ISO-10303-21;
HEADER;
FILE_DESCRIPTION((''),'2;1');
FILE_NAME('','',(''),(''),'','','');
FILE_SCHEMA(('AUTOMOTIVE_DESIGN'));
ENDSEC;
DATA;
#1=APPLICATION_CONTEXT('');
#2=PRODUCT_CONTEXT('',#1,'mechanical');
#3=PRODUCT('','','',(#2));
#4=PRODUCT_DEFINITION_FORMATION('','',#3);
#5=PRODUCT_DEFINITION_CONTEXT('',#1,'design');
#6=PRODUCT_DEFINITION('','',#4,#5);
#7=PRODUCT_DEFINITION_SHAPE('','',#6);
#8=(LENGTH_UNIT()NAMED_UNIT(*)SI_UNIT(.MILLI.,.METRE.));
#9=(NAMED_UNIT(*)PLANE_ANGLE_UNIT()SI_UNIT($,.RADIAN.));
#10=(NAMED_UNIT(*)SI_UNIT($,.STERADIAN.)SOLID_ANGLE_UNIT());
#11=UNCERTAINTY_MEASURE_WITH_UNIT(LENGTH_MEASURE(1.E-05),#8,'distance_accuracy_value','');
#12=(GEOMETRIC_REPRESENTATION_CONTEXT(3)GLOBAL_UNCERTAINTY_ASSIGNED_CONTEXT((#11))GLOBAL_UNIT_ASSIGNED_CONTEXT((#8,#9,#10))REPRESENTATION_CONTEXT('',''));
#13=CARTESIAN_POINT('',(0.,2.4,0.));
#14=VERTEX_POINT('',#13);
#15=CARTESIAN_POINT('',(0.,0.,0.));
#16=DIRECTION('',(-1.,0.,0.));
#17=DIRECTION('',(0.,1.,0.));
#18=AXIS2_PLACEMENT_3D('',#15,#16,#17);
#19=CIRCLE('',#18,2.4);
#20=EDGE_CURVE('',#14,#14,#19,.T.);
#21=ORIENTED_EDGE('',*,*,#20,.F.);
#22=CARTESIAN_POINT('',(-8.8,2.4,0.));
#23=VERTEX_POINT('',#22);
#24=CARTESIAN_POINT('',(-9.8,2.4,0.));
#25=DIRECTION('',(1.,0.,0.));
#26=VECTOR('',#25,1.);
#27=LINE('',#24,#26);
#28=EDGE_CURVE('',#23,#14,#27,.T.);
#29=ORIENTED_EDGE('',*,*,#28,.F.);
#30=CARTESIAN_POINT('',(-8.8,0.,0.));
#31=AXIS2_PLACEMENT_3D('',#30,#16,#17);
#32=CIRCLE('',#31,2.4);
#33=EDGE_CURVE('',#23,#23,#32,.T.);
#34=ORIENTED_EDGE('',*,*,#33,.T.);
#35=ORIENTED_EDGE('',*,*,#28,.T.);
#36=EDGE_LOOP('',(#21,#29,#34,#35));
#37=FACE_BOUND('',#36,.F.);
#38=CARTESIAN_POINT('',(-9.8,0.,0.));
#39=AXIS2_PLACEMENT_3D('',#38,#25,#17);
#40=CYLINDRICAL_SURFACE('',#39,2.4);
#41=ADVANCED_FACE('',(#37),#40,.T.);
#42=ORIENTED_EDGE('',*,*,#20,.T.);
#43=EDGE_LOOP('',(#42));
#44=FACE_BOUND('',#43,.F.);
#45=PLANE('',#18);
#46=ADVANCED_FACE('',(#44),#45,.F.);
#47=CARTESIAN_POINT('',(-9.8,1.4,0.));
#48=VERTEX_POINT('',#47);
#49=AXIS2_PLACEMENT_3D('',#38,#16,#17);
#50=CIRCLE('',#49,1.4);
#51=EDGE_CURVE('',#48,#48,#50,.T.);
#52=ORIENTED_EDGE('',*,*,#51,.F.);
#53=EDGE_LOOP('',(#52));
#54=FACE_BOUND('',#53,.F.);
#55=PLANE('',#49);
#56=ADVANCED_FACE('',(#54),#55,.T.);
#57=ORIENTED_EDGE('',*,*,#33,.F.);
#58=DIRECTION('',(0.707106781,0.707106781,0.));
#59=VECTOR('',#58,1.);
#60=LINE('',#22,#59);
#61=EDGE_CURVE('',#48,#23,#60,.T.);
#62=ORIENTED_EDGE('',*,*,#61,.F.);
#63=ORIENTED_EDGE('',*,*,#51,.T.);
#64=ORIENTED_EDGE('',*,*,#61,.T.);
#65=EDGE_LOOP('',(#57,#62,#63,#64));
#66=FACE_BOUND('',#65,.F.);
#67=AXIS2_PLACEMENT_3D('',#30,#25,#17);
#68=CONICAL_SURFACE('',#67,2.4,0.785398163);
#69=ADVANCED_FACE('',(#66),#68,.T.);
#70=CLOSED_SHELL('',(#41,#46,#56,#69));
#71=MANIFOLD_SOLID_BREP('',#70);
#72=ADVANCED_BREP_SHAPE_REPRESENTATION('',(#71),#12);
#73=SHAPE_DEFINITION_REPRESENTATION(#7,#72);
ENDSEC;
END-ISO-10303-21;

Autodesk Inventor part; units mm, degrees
ref_plane "YZ Plane" through (0, 0, 0) normal (1, 0, 0) x (0, 1, 0)
ref_plane "XZ Plane" through (0, 0, 0) normal (0, 1, 0) x (-1, 0, 0)
ref_plane "XY Plane" through (0, 0, 0) normal (0, 0, 1) x (1, 0, 0)
sketch "Sketch1" plane through (0, 0, 0) normal (0, 0, 1) x (1, 0, 0)
  line L0 (0, 0) -> (-9.8, 0)
  line L1 (-9.8, 0) -> (-9.8, 2.4)
  line L2 (-9.8, 2.4) -> (0, 2.4)
  line L3 (0, 2.4) -> (0, 0)
  dimension "d0" = 9.8
  dimension "d1" = 4.8
revolve "Revolution1" add sketch "Sketch1" angle 360 about axis through (0, 0, 0) along (-1, 0, 0)
chamfer "Chamfer1" distance 1 angle 45 1 edges at (-9.8, -2.4, 0)
properties part number "Red_Part2"
